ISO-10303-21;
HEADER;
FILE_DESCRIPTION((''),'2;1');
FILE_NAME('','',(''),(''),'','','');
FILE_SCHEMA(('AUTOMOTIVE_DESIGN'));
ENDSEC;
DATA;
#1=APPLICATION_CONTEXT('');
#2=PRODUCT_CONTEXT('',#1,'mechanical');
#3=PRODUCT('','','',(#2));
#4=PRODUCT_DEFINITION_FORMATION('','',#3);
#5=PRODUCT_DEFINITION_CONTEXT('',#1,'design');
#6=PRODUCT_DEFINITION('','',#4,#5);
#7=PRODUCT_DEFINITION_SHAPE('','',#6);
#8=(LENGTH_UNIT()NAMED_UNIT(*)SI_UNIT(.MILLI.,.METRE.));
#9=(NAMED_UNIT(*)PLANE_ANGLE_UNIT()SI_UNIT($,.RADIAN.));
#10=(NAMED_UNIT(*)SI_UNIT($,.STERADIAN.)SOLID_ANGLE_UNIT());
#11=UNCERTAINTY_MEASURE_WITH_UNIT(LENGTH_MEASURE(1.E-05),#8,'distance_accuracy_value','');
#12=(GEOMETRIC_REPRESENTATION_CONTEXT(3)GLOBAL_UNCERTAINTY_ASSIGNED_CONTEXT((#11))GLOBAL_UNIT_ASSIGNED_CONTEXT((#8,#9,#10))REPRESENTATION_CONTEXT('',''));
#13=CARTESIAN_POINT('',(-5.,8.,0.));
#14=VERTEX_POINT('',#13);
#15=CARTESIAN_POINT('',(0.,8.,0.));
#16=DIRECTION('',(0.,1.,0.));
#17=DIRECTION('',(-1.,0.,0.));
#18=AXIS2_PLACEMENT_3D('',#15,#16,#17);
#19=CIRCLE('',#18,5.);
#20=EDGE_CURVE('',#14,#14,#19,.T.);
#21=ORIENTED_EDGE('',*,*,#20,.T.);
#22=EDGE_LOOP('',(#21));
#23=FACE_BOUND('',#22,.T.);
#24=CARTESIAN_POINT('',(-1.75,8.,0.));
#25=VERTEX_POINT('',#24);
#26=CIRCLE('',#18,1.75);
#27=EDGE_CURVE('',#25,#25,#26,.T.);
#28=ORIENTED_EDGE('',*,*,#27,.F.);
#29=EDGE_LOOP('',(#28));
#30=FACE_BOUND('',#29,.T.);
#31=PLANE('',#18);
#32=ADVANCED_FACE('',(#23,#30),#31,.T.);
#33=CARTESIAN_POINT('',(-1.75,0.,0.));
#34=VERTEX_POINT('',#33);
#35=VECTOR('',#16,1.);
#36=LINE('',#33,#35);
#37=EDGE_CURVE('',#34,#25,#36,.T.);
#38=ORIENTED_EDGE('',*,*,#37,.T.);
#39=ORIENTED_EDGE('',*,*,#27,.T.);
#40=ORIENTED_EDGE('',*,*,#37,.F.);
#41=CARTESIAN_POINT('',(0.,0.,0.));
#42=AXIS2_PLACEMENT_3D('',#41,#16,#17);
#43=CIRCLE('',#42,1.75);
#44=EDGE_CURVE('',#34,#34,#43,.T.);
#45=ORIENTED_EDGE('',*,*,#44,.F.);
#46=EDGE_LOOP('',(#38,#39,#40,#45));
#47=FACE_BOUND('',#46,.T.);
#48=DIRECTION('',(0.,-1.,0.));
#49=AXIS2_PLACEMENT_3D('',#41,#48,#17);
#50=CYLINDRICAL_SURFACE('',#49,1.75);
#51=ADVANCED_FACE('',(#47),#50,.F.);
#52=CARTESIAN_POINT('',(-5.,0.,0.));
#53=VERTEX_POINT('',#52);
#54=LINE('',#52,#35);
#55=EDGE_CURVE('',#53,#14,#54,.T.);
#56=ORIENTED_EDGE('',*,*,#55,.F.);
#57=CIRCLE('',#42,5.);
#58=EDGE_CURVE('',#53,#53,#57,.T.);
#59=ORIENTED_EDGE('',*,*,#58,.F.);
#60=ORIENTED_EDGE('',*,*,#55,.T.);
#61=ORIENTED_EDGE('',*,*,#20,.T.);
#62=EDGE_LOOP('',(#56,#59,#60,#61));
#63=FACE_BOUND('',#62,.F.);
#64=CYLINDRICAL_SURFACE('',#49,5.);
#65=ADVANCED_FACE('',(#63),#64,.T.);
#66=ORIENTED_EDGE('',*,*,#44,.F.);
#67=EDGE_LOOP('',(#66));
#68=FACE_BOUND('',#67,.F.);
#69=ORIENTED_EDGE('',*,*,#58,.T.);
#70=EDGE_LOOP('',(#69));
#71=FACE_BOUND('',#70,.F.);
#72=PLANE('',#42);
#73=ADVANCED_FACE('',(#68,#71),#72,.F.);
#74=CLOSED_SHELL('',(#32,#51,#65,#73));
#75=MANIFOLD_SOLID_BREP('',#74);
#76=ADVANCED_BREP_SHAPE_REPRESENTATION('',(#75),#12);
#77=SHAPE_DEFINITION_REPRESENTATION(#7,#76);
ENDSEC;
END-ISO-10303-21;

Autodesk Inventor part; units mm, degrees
ref_plane "YZ Plane" through (0, 0, 0) normal (1, 0, 0) x (0, 1, 0)
ref_plane "XZ Plane" through (0, 0, 0) normal (0, 1, 0) x (-1, 0, 0)
ref_plane "XY Plane" through (0, 0, 0) normal (0, 0, 1) x (1, 0, 0)
sketch "Sketch1" plane through (0, 0, 0) normal (0, 1, 0) x (-1, 0, 0)
  circle A0 centre (0, 0) radius 5
  circle A1 centre (0, 0) radius 1.75
  dimension "d0" = 10
  dimension "d1" = 3.5
extrude "Extrusion1" add sketch "Sketch1" along normal blind 8
properties part number "Spacer"
